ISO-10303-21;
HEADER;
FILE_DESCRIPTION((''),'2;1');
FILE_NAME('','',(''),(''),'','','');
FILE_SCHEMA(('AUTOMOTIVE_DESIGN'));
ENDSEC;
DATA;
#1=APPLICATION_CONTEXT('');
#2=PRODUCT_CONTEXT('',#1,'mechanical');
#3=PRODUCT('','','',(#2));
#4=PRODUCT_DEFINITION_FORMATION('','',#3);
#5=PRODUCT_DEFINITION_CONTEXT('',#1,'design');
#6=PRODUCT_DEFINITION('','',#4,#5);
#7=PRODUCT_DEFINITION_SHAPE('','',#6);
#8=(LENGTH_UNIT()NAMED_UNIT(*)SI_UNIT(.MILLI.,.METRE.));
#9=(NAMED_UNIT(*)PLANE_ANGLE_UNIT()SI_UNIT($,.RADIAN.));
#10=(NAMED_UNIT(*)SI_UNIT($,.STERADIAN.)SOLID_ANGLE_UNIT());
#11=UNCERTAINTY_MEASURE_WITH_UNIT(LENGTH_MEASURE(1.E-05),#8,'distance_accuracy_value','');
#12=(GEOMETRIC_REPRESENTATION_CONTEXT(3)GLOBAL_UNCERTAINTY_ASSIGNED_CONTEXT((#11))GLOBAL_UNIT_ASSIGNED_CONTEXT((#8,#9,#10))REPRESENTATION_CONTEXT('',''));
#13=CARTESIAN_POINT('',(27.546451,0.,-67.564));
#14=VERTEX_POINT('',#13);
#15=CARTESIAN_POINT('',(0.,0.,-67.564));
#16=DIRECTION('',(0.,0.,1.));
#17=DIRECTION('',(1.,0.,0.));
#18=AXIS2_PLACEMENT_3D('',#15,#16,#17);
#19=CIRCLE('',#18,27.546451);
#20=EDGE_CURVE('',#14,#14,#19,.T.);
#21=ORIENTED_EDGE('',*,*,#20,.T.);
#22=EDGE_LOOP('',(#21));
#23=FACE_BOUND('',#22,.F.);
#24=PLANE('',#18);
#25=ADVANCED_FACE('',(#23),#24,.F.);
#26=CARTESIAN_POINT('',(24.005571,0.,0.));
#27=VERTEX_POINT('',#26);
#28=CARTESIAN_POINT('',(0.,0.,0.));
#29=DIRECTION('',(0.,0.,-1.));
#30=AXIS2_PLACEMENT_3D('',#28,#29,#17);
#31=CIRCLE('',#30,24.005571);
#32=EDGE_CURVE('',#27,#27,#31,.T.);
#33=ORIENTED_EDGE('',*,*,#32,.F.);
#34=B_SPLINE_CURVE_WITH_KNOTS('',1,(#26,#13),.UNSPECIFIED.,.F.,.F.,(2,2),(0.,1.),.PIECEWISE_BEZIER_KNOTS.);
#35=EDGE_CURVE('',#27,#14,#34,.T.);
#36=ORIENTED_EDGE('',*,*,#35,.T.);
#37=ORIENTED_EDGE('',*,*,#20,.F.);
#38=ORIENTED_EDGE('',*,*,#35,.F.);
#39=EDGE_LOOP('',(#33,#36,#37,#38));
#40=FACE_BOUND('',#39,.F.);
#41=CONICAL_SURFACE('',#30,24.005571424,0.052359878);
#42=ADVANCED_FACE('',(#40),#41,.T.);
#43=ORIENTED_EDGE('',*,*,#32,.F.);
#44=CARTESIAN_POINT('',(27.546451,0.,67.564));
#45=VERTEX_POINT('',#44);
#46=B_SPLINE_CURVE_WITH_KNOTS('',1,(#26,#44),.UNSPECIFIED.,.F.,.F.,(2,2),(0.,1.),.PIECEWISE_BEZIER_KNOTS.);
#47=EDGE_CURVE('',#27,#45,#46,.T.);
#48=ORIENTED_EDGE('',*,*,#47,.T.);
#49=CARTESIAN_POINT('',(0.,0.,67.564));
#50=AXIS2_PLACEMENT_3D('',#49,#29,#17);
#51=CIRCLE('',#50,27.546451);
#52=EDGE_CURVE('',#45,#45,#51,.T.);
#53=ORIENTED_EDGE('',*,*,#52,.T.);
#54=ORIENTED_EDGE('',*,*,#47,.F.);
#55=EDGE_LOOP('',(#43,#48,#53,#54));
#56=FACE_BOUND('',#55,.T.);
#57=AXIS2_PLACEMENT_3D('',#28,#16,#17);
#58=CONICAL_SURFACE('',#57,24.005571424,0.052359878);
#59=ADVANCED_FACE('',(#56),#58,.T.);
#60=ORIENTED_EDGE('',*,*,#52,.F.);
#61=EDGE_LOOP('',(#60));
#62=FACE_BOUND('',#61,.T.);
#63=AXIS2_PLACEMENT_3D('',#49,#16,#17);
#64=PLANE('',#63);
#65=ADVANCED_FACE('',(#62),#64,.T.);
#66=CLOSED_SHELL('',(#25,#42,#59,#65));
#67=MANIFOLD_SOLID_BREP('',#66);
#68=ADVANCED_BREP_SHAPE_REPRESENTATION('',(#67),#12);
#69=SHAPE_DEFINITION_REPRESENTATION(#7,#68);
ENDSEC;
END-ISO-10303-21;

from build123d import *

# Parameters (mm, degrees)
F0_R          = 24.0055714242
F1_DEPTH      = 67.564
F1_TAPER      = -3
F1_DEPTH_BACK = 67.564
F1_TAPER_BACK = -3


with BuildPart() as f1:
    # F0 (on Top) → F1 (new body, two sides)
    with BuildSketch(Plane.XY) as f1_sk:
        Circle(F0_R)
    extrude(amount=-F1_DEPTH, taper=F1_TAPER)
    extrude(f1_sk.sketch, amount=F1_DEPTH_BACK, taper=F1_TAPER_BACK)


solid = f1.part
